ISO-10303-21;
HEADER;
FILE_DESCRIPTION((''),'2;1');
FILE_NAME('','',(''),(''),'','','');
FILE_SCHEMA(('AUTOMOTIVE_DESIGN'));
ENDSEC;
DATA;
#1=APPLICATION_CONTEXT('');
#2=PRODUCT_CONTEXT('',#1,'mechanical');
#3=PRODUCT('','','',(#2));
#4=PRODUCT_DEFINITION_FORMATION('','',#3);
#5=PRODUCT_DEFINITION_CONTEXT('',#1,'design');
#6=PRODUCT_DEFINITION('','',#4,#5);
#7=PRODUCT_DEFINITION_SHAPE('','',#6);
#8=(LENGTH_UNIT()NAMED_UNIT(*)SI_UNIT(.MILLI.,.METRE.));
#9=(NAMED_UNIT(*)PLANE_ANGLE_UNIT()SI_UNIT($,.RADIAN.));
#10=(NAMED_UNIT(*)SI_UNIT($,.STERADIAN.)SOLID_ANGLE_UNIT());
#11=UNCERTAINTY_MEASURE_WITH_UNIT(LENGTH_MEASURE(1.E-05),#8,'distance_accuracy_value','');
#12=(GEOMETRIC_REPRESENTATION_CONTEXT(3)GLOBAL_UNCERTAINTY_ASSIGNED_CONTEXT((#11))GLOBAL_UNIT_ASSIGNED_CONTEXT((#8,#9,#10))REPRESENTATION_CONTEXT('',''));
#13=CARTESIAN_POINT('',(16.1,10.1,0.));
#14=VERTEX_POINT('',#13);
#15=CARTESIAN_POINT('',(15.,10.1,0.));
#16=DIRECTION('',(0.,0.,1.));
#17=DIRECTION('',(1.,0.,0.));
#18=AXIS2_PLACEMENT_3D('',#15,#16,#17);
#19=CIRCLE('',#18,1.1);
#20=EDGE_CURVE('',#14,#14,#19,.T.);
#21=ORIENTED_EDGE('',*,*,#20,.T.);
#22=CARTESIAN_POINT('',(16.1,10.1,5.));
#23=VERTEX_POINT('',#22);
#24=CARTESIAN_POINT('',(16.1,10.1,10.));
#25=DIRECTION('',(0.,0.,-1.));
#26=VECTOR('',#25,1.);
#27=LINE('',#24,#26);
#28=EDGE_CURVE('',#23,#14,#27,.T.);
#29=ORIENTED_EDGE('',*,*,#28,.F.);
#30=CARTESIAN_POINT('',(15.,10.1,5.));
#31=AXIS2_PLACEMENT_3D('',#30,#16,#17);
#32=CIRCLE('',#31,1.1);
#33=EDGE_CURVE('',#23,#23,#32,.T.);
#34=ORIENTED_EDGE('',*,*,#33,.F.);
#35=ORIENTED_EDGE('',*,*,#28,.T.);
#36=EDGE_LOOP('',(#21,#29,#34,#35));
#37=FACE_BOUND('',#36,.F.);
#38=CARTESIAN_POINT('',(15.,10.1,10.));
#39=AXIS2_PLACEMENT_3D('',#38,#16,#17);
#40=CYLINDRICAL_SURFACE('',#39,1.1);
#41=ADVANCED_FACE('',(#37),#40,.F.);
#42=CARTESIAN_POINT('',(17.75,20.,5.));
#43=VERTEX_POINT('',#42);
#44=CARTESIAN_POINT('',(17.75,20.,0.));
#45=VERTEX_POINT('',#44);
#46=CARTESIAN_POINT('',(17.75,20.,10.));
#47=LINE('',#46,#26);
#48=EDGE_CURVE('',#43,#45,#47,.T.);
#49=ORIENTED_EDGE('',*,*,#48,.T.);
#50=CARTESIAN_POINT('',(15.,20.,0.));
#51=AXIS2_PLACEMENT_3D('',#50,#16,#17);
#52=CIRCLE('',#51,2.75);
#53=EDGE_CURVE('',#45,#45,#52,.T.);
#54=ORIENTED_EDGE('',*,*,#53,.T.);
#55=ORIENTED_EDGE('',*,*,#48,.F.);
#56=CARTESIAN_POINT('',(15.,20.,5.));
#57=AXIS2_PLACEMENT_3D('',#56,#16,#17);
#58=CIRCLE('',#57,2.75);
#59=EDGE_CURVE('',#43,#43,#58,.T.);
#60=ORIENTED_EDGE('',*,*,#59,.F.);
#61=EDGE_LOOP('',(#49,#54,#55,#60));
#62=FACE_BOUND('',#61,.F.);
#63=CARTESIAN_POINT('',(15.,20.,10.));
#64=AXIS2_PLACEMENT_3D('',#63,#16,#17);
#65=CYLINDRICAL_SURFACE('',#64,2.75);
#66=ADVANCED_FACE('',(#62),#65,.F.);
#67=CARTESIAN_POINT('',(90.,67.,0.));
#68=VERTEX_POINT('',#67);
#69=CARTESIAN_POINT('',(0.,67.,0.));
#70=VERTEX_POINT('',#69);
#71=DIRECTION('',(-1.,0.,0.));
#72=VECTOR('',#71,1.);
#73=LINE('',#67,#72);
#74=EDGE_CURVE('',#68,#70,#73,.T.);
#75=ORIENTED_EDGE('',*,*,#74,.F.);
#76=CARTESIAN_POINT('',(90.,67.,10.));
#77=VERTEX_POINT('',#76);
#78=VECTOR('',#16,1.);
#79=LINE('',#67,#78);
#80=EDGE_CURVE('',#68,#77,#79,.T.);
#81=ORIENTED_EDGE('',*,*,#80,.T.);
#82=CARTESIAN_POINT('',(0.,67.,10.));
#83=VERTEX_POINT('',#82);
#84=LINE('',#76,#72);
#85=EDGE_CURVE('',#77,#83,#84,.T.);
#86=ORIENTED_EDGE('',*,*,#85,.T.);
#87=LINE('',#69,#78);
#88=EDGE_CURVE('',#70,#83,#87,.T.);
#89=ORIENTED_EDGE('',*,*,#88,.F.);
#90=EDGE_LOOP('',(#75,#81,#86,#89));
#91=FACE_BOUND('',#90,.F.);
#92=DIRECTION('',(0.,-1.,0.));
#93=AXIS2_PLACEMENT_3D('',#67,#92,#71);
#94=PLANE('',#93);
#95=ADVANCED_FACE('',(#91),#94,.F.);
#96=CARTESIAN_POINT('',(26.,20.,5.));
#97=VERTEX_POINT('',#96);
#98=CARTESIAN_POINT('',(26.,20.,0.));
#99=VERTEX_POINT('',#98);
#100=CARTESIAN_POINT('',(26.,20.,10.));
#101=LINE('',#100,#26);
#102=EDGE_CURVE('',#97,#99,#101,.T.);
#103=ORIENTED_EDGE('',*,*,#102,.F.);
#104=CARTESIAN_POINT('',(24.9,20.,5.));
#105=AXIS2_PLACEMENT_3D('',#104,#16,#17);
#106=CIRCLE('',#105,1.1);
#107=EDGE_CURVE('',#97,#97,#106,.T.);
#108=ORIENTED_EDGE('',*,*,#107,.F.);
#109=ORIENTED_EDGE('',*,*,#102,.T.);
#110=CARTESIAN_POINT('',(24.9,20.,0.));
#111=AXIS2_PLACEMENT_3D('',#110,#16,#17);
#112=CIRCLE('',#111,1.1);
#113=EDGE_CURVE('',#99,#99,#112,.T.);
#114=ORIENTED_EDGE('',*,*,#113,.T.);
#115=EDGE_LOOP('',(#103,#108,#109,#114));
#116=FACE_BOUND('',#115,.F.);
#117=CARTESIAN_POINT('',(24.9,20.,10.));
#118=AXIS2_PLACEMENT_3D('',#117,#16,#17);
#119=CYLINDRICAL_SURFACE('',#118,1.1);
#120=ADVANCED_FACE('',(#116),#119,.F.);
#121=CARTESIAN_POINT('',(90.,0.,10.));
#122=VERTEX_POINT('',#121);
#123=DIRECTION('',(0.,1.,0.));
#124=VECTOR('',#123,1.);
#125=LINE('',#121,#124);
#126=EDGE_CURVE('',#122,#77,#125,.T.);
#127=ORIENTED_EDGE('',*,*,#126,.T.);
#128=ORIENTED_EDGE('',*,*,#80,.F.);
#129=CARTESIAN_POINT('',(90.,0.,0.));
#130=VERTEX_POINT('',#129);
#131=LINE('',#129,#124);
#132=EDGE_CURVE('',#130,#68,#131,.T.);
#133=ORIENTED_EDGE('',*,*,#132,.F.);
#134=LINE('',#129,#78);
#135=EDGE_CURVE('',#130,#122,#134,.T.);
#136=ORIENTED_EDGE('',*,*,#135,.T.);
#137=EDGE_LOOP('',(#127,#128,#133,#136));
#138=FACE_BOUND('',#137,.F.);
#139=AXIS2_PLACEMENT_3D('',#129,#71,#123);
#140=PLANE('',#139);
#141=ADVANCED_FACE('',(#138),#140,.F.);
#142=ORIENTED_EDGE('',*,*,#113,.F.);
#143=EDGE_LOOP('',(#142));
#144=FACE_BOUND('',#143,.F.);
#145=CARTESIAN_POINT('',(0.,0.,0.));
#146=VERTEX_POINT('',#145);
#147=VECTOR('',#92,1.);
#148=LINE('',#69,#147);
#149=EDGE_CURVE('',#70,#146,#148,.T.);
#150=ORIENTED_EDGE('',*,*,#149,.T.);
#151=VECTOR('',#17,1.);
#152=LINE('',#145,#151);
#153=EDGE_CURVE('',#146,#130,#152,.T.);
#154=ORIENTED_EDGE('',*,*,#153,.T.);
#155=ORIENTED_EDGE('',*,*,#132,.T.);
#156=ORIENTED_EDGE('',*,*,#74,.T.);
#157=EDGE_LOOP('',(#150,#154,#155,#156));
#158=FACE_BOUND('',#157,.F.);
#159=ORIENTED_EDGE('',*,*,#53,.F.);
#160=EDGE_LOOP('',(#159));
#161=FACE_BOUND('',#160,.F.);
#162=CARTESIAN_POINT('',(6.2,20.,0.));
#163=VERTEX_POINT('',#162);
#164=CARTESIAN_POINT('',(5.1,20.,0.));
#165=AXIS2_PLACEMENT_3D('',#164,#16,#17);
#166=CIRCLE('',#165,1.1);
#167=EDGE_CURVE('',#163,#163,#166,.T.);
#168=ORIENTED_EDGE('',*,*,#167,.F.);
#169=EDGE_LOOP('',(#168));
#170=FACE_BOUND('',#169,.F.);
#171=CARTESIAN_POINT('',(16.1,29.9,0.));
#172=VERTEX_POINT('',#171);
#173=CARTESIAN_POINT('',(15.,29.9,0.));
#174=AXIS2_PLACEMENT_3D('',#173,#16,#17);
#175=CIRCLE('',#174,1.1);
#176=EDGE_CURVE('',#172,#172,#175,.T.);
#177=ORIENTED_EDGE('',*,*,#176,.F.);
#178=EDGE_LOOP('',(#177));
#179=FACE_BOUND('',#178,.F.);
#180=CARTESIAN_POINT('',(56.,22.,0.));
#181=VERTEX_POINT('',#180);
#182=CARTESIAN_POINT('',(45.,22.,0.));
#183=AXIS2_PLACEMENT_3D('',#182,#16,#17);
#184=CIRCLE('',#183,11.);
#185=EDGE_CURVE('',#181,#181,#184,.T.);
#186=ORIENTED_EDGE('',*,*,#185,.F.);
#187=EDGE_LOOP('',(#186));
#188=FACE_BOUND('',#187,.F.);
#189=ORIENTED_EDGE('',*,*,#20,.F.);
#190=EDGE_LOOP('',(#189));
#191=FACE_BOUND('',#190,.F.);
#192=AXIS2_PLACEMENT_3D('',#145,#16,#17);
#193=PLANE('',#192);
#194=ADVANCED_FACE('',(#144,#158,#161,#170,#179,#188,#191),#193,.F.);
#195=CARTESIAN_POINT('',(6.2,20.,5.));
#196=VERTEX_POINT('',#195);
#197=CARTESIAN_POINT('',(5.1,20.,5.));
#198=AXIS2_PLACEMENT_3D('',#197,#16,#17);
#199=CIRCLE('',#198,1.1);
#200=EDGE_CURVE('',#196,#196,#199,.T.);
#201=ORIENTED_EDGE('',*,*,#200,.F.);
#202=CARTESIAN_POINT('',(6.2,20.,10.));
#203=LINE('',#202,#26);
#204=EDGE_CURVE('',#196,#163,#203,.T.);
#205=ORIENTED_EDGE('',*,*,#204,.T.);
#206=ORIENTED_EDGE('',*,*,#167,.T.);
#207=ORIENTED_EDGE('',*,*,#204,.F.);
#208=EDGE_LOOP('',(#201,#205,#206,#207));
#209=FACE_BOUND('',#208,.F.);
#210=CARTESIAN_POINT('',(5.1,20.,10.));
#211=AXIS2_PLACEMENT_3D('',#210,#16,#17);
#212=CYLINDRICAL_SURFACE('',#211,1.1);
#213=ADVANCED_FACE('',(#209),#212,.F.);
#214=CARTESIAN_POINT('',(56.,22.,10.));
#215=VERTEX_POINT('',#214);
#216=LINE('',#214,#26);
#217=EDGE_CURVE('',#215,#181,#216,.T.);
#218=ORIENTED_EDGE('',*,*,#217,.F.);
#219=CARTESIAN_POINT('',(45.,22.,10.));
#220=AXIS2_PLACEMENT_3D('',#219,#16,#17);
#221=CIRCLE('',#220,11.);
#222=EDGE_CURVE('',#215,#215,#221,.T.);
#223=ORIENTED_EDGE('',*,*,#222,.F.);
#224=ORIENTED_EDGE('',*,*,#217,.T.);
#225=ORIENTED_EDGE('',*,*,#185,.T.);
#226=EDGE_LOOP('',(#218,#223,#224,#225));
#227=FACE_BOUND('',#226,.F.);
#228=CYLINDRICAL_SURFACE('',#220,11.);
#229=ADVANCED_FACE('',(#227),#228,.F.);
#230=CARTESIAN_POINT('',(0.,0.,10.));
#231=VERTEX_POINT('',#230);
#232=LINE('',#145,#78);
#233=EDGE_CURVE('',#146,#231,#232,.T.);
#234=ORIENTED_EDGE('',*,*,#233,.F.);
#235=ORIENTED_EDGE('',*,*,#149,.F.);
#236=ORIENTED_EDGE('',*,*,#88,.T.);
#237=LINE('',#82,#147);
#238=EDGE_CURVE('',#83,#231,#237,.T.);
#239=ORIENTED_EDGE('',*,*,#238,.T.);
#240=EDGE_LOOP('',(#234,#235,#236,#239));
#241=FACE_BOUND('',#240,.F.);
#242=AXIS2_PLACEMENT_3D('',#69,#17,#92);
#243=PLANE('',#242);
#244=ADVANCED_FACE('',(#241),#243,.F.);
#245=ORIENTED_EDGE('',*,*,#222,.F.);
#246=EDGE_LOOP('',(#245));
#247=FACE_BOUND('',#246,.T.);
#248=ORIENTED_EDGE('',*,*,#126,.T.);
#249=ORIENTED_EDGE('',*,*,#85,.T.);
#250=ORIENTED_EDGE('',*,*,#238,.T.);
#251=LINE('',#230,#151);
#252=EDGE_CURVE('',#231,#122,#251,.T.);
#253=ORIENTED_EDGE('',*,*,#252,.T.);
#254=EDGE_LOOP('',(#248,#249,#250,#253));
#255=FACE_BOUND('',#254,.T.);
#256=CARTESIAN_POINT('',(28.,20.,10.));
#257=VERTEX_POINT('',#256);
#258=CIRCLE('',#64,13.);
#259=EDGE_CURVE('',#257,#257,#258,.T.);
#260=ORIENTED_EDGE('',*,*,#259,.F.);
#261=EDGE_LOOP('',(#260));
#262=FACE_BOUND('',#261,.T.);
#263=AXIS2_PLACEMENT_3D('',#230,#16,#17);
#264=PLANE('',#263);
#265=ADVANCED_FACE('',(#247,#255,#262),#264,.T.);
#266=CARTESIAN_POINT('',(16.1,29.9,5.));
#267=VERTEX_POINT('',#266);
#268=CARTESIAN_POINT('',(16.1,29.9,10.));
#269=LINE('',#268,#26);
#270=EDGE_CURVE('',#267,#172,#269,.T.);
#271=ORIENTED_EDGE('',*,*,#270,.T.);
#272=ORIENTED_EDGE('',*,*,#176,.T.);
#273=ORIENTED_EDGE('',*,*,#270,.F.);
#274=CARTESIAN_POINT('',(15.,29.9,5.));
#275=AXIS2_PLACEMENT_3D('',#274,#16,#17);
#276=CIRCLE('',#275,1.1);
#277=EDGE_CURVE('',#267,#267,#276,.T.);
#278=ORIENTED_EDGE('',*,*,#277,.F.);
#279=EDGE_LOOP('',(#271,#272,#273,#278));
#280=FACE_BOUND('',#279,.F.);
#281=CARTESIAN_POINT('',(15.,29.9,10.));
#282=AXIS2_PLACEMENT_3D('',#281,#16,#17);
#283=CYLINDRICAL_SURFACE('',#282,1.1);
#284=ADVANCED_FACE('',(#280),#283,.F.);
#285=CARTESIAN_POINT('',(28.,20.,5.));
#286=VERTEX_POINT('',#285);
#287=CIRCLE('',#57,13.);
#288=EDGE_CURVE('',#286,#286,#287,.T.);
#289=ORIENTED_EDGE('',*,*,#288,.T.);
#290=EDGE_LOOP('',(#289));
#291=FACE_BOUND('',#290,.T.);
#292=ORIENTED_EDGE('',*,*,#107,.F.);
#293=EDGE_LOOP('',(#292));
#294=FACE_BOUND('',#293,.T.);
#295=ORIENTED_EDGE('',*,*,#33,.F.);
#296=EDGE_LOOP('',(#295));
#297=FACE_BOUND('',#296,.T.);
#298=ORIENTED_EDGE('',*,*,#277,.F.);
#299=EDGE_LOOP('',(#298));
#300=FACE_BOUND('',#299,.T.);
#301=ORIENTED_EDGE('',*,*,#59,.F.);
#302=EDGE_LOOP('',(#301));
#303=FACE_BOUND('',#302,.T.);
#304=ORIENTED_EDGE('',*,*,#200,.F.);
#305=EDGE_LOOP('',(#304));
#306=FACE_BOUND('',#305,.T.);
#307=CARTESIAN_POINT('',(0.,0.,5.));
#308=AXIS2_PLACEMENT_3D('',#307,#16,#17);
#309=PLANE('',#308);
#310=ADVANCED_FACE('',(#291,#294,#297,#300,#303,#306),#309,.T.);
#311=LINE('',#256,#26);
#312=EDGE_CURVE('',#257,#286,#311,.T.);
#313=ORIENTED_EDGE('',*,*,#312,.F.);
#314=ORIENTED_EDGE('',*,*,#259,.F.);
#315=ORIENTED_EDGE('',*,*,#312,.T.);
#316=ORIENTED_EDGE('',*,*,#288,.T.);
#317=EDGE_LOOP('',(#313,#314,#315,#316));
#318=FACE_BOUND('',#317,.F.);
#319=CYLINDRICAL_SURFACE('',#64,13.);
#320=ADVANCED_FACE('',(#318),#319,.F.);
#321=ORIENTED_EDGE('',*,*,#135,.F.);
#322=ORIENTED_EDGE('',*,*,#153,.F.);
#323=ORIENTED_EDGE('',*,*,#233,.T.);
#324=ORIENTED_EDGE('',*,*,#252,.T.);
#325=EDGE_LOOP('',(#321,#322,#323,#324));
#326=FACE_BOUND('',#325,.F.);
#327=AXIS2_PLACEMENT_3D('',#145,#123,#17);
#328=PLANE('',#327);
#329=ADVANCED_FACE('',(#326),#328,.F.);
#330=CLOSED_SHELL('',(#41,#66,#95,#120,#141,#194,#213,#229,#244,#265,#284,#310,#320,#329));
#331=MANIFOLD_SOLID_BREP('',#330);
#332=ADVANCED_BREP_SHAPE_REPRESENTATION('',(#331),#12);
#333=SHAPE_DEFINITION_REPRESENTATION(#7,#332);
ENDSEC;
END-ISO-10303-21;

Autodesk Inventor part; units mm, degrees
ref_plane "YZ Plane" through (0, 0, 0) normal (1, 0, 0) x (0, 1, 0)
ref_plane "XZ Plane" through (0, 0, 0) normal (0, 1, 0) x (-1, 0, 0)
ref_plane "XY Plane" through (0, 0, 0) normal (0, 0, 1) x (1, 0, 0)
sketch "Esquisse1" plane through (0, 0, 0) normal (0, 0, 1) x (1, 0, 0)
  line L0 (0, 0) -> (90, 0)
  line L1 (90, 0) -> (90, 67)
  line L2 (90, 67) -> (0, 67)
  line L3 (0, 67) -> (0, 0)
  dimension "d0" = 90
  dimension "d1" = 67
extrude "Extrusion1" add sketch "Esquisse1" along normal blind 10
sketch "Esquisse2" plane through (0, 0, 10) normal (0, 0, 1) x (1, 0, 0)
  circle A0 centre (15, 20) radius 13
  line L0 (0, 0) -> (90, 0) projected
  line L1 (0, 67) -> (0, 0) projected
  circle A1 centre (75, 15) radius 13
  line L2 (90, 0) -> (90, 67) projected
  circle A2 centre (15, 29.9) radius 1.1
  circle A3 centre (5.1, 20) radius 1.1
  circle A4 centre (15, 10.1) radius 1.1
  circle A5 centre (24.9, 20) radius 1.1
  circle A6 centre (15, 20) radius 2.75
  dimension "d4" = 26
  dimension "d5" = 20
  dimension "d6" = 15
  dimension "d7" = 26
  dimension "d8" = 15
  dimension "d9" = 15
  dimension "d10" = 2.2
  dimension "d11" = 2
  dimension "d12" = 15
  dimension "d15" = 360
  dimension "d17" = 5.5
extrude "Extrusion2" cut sketch "Esquisse2" against normal blind 10 contours A2 | A3 | A4 | A5 | A6
sketch "Esquisse3" plane through (0, 0, 10) normal (0, 0, 1) x (1, 0, 0)
  circle A0 centre (45, 22) radius 11
  line L0 (0, 0) -> (90, 0) projected
  line L1 (90, 0) -> (90, 67) projected
  dimension "d20" = 22
  dimension "d21" = 45
  dimension "d22" = 22
extrude "Extrusion3" cut sketch "Esquisse3" against normal blind 10
sketch "Esquisse4" plane through (0, 0, 10) normal (0, 0, 1) x (1, 0, 0)
  circle A0 centre (15, 20) radius 2.75 projected
  circle A1 centre (15, 20) radius 13
  point P0 (0, 0)
  dimension "d25" = 26
extrude "Extrusion4" cut sketch "Esquisse4" against normal blind 5
properties part number "Flancs"
